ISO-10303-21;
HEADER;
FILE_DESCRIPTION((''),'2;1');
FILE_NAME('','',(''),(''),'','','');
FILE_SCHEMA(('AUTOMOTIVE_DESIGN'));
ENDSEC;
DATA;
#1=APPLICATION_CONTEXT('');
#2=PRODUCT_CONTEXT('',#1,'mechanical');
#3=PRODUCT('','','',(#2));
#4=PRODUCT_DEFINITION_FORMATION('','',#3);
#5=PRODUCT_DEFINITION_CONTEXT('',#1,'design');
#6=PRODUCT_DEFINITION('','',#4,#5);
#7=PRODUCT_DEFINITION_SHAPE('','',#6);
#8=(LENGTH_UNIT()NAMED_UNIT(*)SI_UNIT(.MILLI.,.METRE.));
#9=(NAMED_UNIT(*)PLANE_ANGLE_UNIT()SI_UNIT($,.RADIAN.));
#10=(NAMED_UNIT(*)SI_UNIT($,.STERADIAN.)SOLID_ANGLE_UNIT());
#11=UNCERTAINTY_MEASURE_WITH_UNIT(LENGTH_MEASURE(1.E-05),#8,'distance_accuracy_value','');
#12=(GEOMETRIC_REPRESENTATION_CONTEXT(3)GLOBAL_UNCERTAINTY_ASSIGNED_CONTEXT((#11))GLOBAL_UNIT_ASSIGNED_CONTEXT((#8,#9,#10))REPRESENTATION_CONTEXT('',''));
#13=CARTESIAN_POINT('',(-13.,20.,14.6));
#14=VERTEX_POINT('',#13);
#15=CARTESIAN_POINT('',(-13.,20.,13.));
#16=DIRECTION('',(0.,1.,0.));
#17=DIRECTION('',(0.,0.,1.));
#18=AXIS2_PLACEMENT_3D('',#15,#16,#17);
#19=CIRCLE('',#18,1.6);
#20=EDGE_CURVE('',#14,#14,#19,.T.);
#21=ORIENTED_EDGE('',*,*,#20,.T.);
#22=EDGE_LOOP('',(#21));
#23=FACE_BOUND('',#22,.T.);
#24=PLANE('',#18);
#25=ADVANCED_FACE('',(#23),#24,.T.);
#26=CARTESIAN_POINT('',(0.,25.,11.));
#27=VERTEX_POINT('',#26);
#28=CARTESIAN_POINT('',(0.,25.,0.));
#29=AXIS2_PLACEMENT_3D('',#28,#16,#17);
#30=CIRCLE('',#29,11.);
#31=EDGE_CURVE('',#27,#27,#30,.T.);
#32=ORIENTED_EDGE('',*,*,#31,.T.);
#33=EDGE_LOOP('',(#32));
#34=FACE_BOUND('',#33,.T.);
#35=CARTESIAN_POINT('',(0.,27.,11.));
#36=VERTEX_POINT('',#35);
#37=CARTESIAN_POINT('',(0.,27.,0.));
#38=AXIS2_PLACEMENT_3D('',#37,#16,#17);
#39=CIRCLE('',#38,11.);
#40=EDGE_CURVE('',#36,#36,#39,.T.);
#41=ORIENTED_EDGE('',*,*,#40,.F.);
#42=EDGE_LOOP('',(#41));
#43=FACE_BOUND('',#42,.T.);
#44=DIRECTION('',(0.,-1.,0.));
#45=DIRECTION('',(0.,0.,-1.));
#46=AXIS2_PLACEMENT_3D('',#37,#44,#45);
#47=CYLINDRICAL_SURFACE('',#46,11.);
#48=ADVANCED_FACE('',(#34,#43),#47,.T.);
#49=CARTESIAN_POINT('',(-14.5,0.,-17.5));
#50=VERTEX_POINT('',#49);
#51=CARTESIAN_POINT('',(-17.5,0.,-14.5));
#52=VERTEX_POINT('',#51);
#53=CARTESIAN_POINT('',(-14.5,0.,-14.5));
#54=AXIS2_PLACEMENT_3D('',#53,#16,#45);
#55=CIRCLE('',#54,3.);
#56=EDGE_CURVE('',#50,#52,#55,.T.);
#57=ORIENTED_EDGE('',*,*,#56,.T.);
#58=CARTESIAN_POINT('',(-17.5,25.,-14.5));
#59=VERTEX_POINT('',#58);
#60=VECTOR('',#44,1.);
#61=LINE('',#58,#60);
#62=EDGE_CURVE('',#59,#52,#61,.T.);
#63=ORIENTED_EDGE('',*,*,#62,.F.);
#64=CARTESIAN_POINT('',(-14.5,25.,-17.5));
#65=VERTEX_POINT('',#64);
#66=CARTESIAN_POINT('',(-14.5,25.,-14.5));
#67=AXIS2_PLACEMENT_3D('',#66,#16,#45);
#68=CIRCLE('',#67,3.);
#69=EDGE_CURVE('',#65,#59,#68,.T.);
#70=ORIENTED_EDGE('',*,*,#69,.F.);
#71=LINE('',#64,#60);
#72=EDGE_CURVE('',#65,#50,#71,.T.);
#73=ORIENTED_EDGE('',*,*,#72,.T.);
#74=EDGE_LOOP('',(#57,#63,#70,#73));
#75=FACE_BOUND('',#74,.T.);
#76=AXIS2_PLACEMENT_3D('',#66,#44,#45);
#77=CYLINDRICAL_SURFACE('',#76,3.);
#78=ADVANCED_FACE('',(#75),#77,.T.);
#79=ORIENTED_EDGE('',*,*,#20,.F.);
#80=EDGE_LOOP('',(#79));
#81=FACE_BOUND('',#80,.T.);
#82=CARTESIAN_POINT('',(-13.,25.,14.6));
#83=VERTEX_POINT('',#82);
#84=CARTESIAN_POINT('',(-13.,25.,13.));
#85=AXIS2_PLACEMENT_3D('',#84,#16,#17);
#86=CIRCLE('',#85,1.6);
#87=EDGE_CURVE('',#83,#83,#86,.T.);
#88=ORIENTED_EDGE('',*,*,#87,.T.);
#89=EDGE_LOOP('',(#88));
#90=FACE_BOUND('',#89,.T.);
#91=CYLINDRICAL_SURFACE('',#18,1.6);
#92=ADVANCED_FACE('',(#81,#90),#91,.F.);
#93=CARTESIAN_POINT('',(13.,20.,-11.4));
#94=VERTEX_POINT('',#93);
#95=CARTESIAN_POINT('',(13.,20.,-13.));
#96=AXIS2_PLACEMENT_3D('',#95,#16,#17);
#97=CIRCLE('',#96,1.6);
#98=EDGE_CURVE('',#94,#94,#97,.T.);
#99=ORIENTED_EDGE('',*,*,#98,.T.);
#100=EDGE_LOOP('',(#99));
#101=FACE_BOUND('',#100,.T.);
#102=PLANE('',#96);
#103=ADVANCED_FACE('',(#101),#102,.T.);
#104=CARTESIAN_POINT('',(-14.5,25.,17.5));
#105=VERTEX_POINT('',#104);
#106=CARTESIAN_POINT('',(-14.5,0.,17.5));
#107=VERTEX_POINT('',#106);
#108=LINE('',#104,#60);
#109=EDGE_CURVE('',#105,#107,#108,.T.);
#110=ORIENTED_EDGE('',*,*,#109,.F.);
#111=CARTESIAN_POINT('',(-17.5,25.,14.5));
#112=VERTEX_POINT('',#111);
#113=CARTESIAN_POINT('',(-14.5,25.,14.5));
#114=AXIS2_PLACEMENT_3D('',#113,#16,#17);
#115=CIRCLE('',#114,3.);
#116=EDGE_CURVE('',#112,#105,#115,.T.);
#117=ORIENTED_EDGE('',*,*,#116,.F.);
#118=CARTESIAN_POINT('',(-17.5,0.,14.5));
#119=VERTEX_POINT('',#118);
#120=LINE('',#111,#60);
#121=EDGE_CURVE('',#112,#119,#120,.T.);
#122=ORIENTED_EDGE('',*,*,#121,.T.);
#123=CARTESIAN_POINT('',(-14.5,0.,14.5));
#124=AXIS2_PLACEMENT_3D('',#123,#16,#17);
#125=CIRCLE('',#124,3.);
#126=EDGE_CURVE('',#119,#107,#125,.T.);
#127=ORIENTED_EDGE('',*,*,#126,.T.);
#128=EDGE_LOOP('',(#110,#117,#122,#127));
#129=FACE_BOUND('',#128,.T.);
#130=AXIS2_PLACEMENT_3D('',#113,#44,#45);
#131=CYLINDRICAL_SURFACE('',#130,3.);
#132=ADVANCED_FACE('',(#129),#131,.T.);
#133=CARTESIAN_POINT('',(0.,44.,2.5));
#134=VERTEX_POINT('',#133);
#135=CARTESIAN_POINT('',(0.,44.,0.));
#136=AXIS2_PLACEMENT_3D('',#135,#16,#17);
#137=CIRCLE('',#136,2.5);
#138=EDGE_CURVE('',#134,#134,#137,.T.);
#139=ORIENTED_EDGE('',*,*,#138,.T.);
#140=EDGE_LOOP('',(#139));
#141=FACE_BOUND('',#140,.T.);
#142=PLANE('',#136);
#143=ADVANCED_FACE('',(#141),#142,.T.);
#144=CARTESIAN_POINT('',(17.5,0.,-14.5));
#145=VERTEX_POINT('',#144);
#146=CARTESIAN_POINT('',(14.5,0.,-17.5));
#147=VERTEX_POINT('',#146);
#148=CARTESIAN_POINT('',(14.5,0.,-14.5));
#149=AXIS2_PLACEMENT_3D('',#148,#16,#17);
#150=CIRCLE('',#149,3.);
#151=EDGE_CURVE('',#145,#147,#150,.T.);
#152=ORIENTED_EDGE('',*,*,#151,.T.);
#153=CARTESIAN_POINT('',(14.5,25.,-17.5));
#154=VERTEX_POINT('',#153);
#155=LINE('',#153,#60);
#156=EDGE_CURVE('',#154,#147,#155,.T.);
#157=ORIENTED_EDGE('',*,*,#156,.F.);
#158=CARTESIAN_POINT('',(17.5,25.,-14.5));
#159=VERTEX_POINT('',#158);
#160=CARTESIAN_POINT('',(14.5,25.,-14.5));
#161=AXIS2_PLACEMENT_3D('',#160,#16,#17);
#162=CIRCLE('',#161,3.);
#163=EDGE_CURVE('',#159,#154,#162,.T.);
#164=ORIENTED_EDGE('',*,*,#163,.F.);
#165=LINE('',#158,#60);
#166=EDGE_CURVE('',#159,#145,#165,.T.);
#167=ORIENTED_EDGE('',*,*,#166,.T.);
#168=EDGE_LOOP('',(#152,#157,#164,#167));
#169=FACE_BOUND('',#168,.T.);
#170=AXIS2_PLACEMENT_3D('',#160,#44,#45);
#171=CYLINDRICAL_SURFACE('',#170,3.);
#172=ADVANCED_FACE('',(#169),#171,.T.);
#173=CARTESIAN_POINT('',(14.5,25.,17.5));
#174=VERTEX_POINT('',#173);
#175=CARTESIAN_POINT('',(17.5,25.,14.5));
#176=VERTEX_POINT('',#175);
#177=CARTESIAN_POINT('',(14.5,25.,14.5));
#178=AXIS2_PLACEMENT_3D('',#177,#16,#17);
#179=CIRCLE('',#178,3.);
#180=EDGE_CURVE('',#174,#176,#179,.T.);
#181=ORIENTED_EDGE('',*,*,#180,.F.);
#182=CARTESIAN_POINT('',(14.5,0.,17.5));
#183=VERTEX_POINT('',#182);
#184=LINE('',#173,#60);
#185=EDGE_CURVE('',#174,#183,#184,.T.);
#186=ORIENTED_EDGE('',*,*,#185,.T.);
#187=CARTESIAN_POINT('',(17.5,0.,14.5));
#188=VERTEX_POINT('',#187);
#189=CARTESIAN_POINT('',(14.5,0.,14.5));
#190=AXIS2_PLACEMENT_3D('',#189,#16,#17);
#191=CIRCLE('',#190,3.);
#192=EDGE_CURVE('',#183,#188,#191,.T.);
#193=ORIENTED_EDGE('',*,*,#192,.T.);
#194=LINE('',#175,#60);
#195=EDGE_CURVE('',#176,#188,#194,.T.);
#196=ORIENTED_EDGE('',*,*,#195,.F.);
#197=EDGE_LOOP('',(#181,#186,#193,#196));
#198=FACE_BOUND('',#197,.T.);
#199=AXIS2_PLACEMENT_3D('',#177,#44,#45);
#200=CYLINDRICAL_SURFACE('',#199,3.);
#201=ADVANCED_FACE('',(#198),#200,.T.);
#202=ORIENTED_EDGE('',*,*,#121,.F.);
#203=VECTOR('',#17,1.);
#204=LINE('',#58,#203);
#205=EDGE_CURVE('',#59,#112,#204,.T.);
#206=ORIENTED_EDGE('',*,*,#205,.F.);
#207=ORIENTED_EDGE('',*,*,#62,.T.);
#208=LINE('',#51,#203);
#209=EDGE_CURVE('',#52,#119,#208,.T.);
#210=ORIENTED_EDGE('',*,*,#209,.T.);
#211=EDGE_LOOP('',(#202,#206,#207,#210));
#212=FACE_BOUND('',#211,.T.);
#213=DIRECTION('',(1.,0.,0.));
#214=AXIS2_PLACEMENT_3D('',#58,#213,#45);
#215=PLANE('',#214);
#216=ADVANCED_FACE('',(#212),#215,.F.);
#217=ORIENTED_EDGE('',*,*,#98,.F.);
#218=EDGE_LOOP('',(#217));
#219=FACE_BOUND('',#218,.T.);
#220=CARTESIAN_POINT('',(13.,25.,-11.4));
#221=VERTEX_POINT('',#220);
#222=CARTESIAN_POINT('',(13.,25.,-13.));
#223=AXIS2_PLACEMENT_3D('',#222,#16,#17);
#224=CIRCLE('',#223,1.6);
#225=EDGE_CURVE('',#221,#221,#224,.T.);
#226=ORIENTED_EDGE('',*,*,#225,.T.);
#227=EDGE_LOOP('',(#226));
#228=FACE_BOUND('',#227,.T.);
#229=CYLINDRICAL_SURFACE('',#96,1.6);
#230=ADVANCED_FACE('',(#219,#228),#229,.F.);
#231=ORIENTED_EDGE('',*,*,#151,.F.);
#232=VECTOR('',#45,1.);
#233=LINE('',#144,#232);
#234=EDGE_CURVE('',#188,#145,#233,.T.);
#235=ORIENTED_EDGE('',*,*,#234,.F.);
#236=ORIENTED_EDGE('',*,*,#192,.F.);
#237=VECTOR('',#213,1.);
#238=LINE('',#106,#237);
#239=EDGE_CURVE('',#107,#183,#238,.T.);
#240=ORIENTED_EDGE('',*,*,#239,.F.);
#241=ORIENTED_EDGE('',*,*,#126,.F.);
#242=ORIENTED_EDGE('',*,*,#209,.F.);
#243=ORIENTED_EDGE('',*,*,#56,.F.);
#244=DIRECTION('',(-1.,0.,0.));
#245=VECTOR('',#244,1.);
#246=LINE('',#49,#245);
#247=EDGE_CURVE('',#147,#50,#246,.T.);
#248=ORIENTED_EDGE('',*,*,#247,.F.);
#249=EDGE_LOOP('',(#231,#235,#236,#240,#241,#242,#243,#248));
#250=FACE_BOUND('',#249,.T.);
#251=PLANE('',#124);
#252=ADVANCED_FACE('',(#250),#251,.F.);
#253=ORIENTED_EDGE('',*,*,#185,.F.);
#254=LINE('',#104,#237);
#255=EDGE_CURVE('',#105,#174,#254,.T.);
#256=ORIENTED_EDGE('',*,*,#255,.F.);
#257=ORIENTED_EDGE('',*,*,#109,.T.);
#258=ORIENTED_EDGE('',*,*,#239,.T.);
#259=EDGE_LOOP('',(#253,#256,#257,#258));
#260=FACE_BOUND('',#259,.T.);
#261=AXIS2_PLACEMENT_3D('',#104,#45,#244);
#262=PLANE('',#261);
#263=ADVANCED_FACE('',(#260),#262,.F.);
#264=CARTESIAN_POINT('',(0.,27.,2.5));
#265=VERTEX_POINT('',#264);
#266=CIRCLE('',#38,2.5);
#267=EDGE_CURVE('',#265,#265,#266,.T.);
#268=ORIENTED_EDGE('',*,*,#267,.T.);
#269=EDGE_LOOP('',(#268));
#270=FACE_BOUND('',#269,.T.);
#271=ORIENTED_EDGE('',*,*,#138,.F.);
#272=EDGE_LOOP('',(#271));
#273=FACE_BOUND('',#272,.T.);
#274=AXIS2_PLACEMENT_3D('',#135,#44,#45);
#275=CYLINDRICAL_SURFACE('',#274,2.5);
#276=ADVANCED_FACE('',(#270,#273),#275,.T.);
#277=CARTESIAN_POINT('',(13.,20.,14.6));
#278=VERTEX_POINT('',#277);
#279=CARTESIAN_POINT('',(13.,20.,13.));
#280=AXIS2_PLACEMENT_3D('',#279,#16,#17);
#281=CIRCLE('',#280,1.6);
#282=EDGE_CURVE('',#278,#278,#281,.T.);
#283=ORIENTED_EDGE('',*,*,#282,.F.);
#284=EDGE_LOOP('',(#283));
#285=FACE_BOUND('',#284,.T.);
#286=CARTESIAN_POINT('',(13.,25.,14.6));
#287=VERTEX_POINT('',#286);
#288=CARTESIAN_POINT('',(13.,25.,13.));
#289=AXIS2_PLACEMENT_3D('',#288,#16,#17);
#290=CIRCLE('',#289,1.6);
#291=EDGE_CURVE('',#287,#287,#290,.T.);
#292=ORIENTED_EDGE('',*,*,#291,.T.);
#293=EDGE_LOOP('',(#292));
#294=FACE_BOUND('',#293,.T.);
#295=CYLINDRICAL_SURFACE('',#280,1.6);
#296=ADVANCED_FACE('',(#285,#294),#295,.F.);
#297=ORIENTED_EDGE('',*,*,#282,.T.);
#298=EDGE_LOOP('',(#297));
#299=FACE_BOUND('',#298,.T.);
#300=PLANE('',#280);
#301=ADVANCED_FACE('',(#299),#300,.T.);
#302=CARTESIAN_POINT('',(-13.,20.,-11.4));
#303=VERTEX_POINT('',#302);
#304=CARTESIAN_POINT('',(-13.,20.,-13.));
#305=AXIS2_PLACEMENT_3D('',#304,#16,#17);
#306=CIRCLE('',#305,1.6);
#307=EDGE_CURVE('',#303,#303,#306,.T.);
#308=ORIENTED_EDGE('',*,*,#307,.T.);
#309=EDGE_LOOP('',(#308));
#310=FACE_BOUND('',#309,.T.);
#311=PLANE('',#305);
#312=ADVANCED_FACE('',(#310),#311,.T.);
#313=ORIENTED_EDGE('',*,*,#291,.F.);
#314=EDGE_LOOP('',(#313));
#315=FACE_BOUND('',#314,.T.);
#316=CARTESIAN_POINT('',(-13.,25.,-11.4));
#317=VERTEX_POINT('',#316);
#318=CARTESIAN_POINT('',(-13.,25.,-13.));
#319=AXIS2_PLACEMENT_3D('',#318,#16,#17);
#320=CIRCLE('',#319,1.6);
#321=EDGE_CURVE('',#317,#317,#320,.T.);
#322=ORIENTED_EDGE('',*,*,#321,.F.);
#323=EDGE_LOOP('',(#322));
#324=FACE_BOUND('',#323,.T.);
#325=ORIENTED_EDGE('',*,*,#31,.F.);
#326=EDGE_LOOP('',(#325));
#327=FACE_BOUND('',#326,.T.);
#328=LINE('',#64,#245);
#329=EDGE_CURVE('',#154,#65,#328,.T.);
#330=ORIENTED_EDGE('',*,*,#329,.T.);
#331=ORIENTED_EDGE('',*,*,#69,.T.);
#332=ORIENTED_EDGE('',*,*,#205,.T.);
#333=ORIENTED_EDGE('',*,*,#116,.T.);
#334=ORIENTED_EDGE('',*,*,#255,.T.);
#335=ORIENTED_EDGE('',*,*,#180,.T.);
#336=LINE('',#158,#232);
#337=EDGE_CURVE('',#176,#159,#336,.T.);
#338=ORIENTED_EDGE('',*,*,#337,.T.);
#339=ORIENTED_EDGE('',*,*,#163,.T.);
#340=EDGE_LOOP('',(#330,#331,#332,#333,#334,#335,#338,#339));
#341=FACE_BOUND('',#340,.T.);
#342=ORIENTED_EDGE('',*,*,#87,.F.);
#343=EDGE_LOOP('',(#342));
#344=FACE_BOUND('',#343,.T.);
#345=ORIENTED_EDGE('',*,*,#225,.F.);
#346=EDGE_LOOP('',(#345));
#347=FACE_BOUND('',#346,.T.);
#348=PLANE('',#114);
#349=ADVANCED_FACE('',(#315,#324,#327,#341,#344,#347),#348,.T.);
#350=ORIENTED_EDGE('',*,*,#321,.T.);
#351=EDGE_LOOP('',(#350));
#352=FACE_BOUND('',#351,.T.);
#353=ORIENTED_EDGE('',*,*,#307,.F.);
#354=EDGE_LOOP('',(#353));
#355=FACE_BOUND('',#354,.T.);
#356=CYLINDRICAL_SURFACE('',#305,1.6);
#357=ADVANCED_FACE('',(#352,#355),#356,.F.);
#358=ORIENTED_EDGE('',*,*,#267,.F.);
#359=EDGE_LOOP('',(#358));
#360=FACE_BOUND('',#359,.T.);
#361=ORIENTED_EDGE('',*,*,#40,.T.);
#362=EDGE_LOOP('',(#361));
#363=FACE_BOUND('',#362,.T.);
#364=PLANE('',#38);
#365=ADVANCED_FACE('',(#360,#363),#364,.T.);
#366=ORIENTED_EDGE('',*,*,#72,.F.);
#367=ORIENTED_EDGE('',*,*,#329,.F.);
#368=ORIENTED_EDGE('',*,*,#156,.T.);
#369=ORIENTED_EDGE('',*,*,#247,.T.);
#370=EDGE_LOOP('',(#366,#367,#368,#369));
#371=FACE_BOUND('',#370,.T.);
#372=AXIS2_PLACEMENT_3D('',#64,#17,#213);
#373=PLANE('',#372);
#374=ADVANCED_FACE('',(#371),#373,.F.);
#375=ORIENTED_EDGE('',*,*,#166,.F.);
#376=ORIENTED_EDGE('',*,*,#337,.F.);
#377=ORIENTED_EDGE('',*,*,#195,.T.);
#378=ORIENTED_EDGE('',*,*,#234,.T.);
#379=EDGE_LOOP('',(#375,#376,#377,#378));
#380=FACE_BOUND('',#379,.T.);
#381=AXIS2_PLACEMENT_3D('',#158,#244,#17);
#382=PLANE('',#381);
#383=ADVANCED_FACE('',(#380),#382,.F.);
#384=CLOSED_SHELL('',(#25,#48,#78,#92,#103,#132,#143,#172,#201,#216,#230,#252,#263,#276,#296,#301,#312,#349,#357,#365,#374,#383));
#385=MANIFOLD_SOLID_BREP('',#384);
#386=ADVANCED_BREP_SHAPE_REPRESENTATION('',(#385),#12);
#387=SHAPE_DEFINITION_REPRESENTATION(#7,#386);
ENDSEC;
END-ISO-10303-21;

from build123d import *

# Parameters (mm, degrees)
EXTRUDE_1_DEPTH     = 25
SKETCH_2_R          = 11
EXTRUDE_2_DEPTH     = 2
SKETCH_3_R          = 2.5
EXTRUDE_3_DEPTH     = 17
SKETCH_4_R          = 1.6
CUT_EXTRUDE_1_DEPTH = 5


with BuildPart() as part:
    # 草图1 → 凸台-拉伸1 (new body)
    with BuildSketch(Plane(origin=(0, 0, 0), x_dir=(1, 0, 0), z_dir=(0, 1, 0))):
        with BuildLine():
            Line((-14.5, 17.5), (14.5, 17.5))
            ThreePointArc((14.5, 17.5), (16.621320344, 16.621320344), (17.5, 14.5))
            Line((17.5, 14.5), (17.5, -14.5))
            ThreePointArc((17.5, -14.5), (16.621320344, -16.621320344), (14.5, -17.5))
            Line((14.5, -17.5), (-14.5, -17.5))
            ThreePointArc((-14.5, -17.5), (-16.621320344, -16.621320344), (-17.5, -14.5))
            Line((-17.5, -14.5), (-17.5, 14.5))
            ThreePointArc((-17.5, 14.5), (-16.621320344, 16.621320344), (-14.5, 17.5))
        make_face()
    extrude(amount=EXTRUDE_1_DEPTH)

    # 草图2 → 凸台-拉伸2 (add)
    with BuildSketch(Plane(origin=(0, 25, 0), x_dir=(1, 0, 0), z_dir=(0, 1, 0))):
        with Locations(Location((0, 0, 0), (0, 0, 270))):
            Circle(SKETCH_2_R)
    extrude(amount=EXTRUDE_2_DEPTH)

    # 草图3 → 凸台-拉伸3 (add)
    with BuildSketch(Plane(origin=(0, 27, 0), x_dir=(1, 0, 0), z_dir=(0, 1, 0))):
        with Locations(Location((0, 0, 0), (0, 0, 270))):
            Circle(SKETCH_3_R)
    extrude(amount=EXTRUDE_3_DEPTH)

    # 草图4 → 切除-拉伸1 (cut)
    with BuildSketch(Plane(origin=(0, 25, 0), x_dir=(1, 0, 0), z_dir=(0, 1, 0))):
        with Locations(Location((-13, 13, 0), (0, 0, 270))):
            Circle(SKETCH_4_R)
        with Locations(Location((13, 13, 0), (0, 0, 270))):
            Circle(SKETCH_4_R)
        with Locations(Location((13, -13, 0), (0, 0, 270))):
            Circle(SKETCH_4_R)
        with Locations(Location((-13, -13, 0), (0, 0, 270))):
            Circle(SKETCH_4_R)
    extrude(amount=-CUT_EXTRUDE_1_DEPTH, mode=Mode.SUBTRACT)


solid = part.part
